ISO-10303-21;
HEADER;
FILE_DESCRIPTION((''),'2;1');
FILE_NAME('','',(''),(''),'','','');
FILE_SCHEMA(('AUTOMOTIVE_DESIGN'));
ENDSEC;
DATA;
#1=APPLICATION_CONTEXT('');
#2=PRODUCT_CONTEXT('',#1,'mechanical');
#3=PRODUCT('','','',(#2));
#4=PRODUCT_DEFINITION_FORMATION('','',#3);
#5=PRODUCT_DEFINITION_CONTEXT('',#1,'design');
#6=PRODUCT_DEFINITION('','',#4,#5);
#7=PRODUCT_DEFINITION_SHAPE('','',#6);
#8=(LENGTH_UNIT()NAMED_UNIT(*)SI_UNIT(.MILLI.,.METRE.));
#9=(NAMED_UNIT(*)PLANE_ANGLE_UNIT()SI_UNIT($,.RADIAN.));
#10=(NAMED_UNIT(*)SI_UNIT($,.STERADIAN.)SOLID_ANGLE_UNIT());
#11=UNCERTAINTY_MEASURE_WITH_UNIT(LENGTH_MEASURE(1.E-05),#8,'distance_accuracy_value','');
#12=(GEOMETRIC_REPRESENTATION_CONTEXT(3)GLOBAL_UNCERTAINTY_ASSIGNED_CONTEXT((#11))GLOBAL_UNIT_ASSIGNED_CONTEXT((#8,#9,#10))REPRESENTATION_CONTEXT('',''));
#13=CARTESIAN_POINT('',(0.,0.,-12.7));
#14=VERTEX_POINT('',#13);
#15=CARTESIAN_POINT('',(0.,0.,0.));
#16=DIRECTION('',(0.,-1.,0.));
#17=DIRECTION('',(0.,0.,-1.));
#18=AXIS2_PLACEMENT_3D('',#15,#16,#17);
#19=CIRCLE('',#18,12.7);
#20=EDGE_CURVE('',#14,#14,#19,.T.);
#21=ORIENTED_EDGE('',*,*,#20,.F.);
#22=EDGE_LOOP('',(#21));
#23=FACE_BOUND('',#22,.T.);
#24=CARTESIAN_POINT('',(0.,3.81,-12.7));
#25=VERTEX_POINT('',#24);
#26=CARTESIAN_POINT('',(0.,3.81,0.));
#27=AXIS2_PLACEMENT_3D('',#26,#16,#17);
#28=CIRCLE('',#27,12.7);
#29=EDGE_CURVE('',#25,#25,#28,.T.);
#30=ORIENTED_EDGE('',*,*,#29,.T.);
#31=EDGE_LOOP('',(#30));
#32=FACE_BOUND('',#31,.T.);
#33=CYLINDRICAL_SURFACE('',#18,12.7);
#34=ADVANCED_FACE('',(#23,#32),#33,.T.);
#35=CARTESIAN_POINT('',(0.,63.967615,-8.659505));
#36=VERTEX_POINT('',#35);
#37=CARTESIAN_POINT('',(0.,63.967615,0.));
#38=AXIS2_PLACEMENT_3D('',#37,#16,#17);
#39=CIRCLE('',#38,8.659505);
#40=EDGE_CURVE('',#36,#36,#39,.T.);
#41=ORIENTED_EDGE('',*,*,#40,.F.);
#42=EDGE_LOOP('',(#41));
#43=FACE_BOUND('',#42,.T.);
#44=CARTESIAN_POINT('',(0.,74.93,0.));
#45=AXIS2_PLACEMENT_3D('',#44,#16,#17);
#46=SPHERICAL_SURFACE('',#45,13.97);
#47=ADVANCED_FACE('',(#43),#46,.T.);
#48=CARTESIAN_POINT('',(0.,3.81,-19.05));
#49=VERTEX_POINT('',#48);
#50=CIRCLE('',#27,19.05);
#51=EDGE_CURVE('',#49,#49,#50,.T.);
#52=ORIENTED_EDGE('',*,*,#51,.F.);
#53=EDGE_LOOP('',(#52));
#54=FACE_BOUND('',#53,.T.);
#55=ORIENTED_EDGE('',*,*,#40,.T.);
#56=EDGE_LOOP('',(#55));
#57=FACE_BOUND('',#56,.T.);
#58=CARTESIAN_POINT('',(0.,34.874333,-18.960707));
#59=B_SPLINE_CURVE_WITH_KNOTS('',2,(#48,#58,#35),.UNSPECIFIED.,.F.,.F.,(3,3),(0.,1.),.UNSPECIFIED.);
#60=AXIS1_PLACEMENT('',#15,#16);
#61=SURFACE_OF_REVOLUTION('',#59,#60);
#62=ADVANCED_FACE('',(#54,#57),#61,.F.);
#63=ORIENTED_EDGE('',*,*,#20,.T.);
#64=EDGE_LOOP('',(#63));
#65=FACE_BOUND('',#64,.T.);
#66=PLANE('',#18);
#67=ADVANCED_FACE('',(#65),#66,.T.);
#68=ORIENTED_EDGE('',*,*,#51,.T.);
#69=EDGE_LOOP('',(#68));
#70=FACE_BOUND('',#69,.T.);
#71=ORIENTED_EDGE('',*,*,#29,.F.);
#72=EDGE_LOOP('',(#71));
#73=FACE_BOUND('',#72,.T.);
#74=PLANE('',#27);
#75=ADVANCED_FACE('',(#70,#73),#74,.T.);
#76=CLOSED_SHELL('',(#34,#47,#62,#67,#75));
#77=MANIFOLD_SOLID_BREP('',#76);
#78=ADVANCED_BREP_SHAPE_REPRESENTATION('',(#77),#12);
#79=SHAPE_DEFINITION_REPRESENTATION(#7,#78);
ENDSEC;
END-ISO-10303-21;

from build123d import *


with BuildPart() as part:
    # Sketch1 → Revolve1 (revolve)
    with BuildSketch(Plane(origin=(0, 0, 0), x_dir=(0, 0, -1), z_dir=(1, 0, 0))):
        with BuildLine():
            Line((0, 88.9), (0, 60.96))
            ThreePointArc((0, 60.96), (4.583469523, 61.733306962), (8.659504703, 63.9676153))
            ThreePointArc((8.659504703, 63.9676153), (13.196693038, 79.513469523), (0, 88.9))
        make_face()
        with BuildLine():
            Line((0, 60.96), (0, 0))
            Line((0, 0), (12.7, 0))
            Line((12.7, 0), (12.7, 3.81))
            Line((12.7, 3.81), (19.05, 3.81))
            add(Edge.make_bspline(
                [(19.05, 3.81), (18.960707091, 34.874332984), (8.659504703, 63.9676153)],
                knots=[0, 0, 0, 1, 1, 1], degree=2))
            ThreePointArc((8.659504703, 63.9676153), (4.583469523, 61.733306962), (0, 60.96))
        make_face()
    revolve(axis=Axis((0, 0, 0), (0, 1, 0)))


solid = part.part
